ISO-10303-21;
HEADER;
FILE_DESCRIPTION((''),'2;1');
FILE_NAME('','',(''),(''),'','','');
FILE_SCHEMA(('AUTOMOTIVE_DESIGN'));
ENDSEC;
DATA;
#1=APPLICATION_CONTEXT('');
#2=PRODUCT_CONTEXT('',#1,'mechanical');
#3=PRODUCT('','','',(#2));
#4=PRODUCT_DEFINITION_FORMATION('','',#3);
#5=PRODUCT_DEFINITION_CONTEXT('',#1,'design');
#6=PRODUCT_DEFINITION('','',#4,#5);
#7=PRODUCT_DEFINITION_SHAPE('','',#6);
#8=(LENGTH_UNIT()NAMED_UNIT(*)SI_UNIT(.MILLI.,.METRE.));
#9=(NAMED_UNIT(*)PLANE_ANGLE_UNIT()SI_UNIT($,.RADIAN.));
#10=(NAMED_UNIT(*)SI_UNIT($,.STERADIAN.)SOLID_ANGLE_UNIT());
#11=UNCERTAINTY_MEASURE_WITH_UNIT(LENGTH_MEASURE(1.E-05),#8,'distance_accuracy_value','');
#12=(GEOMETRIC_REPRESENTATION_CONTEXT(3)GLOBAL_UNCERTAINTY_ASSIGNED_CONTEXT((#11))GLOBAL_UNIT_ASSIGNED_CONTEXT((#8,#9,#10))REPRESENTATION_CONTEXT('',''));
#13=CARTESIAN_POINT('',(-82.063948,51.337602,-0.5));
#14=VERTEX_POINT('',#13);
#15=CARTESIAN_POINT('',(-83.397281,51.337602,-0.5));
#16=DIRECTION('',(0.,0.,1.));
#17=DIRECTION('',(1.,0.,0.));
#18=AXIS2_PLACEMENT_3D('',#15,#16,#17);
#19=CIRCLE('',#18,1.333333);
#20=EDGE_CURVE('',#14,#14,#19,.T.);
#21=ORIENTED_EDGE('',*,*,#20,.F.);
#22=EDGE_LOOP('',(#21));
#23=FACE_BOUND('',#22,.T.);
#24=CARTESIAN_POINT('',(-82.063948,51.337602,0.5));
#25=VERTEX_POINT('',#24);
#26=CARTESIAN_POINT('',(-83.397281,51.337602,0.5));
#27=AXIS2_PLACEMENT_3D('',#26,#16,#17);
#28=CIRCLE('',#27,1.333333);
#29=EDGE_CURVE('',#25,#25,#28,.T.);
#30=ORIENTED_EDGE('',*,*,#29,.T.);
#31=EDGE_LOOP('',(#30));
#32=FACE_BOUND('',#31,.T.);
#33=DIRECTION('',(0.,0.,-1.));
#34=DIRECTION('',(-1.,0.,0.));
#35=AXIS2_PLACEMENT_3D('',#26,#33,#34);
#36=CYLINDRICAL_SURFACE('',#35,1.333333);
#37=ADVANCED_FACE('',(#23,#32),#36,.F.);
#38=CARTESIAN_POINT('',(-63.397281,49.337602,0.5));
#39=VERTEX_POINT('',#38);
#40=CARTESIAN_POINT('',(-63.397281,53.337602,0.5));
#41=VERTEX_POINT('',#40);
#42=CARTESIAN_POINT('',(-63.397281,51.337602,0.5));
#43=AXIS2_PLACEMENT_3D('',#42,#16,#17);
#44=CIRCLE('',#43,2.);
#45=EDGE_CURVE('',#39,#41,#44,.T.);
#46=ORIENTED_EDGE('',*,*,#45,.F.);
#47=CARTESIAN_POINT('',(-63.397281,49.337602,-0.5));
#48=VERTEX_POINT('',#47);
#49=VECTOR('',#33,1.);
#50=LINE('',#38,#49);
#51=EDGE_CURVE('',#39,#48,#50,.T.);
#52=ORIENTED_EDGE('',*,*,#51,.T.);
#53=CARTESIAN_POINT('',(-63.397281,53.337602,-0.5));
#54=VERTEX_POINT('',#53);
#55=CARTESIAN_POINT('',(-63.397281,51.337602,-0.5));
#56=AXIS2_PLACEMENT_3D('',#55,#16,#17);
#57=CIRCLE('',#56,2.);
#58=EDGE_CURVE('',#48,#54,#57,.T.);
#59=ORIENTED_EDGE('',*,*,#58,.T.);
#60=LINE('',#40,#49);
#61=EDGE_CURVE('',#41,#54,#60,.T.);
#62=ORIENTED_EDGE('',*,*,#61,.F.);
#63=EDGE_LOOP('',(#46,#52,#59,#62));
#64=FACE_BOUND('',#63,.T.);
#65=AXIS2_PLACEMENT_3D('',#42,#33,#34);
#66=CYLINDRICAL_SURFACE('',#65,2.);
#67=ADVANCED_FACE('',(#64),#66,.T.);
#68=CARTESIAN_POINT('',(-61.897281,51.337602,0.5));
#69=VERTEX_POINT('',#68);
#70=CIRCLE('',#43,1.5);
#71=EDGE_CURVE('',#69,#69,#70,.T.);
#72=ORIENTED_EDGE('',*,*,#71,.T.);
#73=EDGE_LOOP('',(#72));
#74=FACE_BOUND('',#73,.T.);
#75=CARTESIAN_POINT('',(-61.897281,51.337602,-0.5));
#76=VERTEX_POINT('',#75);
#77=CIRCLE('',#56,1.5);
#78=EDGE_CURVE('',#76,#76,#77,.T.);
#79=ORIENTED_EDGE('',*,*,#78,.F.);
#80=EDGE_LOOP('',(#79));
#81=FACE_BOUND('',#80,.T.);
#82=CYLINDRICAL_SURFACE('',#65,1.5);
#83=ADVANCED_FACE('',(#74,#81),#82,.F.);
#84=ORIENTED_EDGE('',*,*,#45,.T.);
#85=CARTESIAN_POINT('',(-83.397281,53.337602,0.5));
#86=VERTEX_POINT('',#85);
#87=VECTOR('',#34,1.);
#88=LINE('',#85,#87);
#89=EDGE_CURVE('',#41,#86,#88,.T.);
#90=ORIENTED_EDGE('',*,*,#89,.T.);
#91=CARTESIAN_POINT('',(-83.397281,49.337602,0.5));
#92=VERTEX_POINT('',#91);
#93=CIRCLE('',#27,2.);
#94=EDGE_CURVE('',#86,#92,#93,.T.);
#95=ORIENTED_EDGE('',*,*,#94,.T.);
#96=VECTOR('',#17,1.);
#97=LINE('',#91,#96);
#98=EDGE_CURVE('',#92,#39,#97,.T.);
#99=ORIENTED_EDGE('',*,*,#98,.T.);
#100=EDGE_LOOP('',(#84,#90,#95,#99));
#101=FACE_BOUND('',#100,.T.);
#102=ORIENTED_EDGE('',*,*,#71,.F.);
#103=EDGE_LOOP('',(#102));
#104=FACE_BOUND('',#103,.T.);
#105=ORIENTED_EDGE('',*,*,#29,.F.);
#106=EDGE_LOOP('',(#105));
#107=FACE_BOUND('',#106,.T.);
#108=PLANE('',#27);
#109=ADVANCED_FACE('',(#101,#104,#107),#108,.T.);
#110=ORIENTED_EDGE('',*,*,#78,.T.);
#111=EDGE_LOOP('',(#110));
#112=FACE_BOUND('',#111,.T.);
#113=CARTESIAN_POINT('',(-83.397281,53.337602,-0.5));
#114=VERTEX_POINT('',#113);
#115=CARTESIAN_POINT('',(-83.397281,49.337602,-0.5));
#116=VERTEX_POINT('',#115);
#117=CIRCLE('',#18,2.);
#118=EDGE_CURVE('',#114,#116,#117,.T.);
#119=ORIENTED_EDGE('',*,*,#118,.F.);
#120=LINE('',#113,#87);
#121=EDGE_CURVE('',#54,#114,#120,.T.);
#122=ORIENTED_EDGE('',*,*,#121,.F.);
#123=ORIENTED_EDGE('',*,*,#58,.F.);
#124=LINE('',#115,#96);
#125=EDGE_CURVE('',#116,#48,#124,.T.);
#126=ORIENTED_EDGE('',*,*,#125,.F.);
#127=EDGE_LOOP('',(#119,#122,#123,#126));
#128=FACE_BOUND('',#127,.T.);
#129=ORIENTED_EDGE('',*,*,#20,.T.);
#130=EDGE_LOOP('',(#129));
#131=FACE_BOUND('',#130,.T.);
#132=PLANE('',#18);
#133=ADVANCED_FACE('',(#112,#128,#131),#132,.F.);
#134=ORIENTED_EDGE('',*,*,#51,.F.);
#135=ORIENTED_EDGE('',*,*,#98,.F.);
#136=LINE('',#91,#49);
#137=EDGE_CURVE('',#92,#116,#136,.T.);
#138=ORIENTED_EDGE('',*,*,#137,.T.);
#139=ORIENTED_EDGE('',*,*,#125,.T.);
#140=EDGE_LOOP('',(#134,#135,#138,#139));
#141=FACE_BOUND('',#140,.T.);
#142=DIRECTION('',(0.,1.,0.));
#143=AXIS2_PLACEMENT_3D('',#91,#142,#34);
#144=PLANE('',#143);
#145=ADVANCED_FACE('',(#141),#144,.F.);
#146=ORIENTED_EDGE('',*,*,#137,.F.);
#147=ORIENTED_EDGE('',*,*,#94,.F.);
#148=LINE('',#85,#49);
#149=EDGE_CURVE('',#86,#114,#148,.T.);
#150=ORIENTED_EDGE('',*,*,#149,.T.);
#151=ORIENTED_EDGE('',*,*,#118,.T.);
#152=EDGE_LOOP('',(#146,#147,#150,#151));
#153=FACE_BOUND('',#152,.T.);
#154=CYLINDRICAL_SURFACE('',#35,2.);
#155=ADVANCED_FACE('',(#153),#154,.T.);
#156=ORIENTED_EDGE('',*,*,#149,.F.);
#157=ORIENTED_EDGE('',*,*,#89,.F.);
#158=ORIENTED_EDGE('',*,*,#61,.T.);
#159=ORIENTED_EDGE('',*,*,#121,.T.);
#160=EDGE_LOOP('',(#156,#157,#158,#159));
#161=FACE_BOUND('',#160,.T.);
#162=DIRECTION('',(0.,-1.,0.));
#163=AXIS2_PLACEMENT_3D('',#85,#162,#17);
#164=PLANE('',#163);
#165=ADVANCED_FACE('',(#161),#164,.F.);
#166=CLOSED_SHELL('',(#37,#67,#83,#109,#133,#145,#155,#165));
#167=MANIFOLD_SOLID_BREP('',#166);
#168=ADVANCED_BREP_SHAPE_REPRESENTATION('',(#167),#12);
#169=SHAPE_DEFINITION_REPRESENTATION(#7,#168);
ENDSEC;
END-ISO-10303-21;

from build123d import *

# Parameters (mm, degrees)
SKETCH1_R           = 1.333333333
SKETCH1_R_2         = 1.5
BOSS_EXTRUDE2_DEPTH = 0.5


with BuildPart() as part:
    # Sketch1 → Boss-Extrude2 (new, symmetric)
    with BuildSketch(Plane.XY):
        with BuildLine():
            Line((-83.397280956, 53.337601666), (-63.397280956, 53.337601666))
            ThreePointArc((-63.397280956, 53.337601666), (-61.397280956, 51.337601666), (-63.397280956, 49.337601666))
            Line((-63.397280956, 49.337601666), (-83.397280956, 49.337601666))
            ThreePointArc((-83.397280956, 49.337601666), (-85.397280956, 51.337601666), (-83.397280956, 53.337601666))
        make_face()
        with Locations((-83.397280956, 51.337601666)):
            Circle(SKETCH1_R, mode=Mode.SUBTRACT)
        with Locations((-63.397280956, 51.337601666)):
            Circle(SKETCH1_R_2, mode=Mode.SUBTRACT)
    extrude(amount=BOSS_EXTRUDE2_DEPTH, both=True)


solid = part.part
